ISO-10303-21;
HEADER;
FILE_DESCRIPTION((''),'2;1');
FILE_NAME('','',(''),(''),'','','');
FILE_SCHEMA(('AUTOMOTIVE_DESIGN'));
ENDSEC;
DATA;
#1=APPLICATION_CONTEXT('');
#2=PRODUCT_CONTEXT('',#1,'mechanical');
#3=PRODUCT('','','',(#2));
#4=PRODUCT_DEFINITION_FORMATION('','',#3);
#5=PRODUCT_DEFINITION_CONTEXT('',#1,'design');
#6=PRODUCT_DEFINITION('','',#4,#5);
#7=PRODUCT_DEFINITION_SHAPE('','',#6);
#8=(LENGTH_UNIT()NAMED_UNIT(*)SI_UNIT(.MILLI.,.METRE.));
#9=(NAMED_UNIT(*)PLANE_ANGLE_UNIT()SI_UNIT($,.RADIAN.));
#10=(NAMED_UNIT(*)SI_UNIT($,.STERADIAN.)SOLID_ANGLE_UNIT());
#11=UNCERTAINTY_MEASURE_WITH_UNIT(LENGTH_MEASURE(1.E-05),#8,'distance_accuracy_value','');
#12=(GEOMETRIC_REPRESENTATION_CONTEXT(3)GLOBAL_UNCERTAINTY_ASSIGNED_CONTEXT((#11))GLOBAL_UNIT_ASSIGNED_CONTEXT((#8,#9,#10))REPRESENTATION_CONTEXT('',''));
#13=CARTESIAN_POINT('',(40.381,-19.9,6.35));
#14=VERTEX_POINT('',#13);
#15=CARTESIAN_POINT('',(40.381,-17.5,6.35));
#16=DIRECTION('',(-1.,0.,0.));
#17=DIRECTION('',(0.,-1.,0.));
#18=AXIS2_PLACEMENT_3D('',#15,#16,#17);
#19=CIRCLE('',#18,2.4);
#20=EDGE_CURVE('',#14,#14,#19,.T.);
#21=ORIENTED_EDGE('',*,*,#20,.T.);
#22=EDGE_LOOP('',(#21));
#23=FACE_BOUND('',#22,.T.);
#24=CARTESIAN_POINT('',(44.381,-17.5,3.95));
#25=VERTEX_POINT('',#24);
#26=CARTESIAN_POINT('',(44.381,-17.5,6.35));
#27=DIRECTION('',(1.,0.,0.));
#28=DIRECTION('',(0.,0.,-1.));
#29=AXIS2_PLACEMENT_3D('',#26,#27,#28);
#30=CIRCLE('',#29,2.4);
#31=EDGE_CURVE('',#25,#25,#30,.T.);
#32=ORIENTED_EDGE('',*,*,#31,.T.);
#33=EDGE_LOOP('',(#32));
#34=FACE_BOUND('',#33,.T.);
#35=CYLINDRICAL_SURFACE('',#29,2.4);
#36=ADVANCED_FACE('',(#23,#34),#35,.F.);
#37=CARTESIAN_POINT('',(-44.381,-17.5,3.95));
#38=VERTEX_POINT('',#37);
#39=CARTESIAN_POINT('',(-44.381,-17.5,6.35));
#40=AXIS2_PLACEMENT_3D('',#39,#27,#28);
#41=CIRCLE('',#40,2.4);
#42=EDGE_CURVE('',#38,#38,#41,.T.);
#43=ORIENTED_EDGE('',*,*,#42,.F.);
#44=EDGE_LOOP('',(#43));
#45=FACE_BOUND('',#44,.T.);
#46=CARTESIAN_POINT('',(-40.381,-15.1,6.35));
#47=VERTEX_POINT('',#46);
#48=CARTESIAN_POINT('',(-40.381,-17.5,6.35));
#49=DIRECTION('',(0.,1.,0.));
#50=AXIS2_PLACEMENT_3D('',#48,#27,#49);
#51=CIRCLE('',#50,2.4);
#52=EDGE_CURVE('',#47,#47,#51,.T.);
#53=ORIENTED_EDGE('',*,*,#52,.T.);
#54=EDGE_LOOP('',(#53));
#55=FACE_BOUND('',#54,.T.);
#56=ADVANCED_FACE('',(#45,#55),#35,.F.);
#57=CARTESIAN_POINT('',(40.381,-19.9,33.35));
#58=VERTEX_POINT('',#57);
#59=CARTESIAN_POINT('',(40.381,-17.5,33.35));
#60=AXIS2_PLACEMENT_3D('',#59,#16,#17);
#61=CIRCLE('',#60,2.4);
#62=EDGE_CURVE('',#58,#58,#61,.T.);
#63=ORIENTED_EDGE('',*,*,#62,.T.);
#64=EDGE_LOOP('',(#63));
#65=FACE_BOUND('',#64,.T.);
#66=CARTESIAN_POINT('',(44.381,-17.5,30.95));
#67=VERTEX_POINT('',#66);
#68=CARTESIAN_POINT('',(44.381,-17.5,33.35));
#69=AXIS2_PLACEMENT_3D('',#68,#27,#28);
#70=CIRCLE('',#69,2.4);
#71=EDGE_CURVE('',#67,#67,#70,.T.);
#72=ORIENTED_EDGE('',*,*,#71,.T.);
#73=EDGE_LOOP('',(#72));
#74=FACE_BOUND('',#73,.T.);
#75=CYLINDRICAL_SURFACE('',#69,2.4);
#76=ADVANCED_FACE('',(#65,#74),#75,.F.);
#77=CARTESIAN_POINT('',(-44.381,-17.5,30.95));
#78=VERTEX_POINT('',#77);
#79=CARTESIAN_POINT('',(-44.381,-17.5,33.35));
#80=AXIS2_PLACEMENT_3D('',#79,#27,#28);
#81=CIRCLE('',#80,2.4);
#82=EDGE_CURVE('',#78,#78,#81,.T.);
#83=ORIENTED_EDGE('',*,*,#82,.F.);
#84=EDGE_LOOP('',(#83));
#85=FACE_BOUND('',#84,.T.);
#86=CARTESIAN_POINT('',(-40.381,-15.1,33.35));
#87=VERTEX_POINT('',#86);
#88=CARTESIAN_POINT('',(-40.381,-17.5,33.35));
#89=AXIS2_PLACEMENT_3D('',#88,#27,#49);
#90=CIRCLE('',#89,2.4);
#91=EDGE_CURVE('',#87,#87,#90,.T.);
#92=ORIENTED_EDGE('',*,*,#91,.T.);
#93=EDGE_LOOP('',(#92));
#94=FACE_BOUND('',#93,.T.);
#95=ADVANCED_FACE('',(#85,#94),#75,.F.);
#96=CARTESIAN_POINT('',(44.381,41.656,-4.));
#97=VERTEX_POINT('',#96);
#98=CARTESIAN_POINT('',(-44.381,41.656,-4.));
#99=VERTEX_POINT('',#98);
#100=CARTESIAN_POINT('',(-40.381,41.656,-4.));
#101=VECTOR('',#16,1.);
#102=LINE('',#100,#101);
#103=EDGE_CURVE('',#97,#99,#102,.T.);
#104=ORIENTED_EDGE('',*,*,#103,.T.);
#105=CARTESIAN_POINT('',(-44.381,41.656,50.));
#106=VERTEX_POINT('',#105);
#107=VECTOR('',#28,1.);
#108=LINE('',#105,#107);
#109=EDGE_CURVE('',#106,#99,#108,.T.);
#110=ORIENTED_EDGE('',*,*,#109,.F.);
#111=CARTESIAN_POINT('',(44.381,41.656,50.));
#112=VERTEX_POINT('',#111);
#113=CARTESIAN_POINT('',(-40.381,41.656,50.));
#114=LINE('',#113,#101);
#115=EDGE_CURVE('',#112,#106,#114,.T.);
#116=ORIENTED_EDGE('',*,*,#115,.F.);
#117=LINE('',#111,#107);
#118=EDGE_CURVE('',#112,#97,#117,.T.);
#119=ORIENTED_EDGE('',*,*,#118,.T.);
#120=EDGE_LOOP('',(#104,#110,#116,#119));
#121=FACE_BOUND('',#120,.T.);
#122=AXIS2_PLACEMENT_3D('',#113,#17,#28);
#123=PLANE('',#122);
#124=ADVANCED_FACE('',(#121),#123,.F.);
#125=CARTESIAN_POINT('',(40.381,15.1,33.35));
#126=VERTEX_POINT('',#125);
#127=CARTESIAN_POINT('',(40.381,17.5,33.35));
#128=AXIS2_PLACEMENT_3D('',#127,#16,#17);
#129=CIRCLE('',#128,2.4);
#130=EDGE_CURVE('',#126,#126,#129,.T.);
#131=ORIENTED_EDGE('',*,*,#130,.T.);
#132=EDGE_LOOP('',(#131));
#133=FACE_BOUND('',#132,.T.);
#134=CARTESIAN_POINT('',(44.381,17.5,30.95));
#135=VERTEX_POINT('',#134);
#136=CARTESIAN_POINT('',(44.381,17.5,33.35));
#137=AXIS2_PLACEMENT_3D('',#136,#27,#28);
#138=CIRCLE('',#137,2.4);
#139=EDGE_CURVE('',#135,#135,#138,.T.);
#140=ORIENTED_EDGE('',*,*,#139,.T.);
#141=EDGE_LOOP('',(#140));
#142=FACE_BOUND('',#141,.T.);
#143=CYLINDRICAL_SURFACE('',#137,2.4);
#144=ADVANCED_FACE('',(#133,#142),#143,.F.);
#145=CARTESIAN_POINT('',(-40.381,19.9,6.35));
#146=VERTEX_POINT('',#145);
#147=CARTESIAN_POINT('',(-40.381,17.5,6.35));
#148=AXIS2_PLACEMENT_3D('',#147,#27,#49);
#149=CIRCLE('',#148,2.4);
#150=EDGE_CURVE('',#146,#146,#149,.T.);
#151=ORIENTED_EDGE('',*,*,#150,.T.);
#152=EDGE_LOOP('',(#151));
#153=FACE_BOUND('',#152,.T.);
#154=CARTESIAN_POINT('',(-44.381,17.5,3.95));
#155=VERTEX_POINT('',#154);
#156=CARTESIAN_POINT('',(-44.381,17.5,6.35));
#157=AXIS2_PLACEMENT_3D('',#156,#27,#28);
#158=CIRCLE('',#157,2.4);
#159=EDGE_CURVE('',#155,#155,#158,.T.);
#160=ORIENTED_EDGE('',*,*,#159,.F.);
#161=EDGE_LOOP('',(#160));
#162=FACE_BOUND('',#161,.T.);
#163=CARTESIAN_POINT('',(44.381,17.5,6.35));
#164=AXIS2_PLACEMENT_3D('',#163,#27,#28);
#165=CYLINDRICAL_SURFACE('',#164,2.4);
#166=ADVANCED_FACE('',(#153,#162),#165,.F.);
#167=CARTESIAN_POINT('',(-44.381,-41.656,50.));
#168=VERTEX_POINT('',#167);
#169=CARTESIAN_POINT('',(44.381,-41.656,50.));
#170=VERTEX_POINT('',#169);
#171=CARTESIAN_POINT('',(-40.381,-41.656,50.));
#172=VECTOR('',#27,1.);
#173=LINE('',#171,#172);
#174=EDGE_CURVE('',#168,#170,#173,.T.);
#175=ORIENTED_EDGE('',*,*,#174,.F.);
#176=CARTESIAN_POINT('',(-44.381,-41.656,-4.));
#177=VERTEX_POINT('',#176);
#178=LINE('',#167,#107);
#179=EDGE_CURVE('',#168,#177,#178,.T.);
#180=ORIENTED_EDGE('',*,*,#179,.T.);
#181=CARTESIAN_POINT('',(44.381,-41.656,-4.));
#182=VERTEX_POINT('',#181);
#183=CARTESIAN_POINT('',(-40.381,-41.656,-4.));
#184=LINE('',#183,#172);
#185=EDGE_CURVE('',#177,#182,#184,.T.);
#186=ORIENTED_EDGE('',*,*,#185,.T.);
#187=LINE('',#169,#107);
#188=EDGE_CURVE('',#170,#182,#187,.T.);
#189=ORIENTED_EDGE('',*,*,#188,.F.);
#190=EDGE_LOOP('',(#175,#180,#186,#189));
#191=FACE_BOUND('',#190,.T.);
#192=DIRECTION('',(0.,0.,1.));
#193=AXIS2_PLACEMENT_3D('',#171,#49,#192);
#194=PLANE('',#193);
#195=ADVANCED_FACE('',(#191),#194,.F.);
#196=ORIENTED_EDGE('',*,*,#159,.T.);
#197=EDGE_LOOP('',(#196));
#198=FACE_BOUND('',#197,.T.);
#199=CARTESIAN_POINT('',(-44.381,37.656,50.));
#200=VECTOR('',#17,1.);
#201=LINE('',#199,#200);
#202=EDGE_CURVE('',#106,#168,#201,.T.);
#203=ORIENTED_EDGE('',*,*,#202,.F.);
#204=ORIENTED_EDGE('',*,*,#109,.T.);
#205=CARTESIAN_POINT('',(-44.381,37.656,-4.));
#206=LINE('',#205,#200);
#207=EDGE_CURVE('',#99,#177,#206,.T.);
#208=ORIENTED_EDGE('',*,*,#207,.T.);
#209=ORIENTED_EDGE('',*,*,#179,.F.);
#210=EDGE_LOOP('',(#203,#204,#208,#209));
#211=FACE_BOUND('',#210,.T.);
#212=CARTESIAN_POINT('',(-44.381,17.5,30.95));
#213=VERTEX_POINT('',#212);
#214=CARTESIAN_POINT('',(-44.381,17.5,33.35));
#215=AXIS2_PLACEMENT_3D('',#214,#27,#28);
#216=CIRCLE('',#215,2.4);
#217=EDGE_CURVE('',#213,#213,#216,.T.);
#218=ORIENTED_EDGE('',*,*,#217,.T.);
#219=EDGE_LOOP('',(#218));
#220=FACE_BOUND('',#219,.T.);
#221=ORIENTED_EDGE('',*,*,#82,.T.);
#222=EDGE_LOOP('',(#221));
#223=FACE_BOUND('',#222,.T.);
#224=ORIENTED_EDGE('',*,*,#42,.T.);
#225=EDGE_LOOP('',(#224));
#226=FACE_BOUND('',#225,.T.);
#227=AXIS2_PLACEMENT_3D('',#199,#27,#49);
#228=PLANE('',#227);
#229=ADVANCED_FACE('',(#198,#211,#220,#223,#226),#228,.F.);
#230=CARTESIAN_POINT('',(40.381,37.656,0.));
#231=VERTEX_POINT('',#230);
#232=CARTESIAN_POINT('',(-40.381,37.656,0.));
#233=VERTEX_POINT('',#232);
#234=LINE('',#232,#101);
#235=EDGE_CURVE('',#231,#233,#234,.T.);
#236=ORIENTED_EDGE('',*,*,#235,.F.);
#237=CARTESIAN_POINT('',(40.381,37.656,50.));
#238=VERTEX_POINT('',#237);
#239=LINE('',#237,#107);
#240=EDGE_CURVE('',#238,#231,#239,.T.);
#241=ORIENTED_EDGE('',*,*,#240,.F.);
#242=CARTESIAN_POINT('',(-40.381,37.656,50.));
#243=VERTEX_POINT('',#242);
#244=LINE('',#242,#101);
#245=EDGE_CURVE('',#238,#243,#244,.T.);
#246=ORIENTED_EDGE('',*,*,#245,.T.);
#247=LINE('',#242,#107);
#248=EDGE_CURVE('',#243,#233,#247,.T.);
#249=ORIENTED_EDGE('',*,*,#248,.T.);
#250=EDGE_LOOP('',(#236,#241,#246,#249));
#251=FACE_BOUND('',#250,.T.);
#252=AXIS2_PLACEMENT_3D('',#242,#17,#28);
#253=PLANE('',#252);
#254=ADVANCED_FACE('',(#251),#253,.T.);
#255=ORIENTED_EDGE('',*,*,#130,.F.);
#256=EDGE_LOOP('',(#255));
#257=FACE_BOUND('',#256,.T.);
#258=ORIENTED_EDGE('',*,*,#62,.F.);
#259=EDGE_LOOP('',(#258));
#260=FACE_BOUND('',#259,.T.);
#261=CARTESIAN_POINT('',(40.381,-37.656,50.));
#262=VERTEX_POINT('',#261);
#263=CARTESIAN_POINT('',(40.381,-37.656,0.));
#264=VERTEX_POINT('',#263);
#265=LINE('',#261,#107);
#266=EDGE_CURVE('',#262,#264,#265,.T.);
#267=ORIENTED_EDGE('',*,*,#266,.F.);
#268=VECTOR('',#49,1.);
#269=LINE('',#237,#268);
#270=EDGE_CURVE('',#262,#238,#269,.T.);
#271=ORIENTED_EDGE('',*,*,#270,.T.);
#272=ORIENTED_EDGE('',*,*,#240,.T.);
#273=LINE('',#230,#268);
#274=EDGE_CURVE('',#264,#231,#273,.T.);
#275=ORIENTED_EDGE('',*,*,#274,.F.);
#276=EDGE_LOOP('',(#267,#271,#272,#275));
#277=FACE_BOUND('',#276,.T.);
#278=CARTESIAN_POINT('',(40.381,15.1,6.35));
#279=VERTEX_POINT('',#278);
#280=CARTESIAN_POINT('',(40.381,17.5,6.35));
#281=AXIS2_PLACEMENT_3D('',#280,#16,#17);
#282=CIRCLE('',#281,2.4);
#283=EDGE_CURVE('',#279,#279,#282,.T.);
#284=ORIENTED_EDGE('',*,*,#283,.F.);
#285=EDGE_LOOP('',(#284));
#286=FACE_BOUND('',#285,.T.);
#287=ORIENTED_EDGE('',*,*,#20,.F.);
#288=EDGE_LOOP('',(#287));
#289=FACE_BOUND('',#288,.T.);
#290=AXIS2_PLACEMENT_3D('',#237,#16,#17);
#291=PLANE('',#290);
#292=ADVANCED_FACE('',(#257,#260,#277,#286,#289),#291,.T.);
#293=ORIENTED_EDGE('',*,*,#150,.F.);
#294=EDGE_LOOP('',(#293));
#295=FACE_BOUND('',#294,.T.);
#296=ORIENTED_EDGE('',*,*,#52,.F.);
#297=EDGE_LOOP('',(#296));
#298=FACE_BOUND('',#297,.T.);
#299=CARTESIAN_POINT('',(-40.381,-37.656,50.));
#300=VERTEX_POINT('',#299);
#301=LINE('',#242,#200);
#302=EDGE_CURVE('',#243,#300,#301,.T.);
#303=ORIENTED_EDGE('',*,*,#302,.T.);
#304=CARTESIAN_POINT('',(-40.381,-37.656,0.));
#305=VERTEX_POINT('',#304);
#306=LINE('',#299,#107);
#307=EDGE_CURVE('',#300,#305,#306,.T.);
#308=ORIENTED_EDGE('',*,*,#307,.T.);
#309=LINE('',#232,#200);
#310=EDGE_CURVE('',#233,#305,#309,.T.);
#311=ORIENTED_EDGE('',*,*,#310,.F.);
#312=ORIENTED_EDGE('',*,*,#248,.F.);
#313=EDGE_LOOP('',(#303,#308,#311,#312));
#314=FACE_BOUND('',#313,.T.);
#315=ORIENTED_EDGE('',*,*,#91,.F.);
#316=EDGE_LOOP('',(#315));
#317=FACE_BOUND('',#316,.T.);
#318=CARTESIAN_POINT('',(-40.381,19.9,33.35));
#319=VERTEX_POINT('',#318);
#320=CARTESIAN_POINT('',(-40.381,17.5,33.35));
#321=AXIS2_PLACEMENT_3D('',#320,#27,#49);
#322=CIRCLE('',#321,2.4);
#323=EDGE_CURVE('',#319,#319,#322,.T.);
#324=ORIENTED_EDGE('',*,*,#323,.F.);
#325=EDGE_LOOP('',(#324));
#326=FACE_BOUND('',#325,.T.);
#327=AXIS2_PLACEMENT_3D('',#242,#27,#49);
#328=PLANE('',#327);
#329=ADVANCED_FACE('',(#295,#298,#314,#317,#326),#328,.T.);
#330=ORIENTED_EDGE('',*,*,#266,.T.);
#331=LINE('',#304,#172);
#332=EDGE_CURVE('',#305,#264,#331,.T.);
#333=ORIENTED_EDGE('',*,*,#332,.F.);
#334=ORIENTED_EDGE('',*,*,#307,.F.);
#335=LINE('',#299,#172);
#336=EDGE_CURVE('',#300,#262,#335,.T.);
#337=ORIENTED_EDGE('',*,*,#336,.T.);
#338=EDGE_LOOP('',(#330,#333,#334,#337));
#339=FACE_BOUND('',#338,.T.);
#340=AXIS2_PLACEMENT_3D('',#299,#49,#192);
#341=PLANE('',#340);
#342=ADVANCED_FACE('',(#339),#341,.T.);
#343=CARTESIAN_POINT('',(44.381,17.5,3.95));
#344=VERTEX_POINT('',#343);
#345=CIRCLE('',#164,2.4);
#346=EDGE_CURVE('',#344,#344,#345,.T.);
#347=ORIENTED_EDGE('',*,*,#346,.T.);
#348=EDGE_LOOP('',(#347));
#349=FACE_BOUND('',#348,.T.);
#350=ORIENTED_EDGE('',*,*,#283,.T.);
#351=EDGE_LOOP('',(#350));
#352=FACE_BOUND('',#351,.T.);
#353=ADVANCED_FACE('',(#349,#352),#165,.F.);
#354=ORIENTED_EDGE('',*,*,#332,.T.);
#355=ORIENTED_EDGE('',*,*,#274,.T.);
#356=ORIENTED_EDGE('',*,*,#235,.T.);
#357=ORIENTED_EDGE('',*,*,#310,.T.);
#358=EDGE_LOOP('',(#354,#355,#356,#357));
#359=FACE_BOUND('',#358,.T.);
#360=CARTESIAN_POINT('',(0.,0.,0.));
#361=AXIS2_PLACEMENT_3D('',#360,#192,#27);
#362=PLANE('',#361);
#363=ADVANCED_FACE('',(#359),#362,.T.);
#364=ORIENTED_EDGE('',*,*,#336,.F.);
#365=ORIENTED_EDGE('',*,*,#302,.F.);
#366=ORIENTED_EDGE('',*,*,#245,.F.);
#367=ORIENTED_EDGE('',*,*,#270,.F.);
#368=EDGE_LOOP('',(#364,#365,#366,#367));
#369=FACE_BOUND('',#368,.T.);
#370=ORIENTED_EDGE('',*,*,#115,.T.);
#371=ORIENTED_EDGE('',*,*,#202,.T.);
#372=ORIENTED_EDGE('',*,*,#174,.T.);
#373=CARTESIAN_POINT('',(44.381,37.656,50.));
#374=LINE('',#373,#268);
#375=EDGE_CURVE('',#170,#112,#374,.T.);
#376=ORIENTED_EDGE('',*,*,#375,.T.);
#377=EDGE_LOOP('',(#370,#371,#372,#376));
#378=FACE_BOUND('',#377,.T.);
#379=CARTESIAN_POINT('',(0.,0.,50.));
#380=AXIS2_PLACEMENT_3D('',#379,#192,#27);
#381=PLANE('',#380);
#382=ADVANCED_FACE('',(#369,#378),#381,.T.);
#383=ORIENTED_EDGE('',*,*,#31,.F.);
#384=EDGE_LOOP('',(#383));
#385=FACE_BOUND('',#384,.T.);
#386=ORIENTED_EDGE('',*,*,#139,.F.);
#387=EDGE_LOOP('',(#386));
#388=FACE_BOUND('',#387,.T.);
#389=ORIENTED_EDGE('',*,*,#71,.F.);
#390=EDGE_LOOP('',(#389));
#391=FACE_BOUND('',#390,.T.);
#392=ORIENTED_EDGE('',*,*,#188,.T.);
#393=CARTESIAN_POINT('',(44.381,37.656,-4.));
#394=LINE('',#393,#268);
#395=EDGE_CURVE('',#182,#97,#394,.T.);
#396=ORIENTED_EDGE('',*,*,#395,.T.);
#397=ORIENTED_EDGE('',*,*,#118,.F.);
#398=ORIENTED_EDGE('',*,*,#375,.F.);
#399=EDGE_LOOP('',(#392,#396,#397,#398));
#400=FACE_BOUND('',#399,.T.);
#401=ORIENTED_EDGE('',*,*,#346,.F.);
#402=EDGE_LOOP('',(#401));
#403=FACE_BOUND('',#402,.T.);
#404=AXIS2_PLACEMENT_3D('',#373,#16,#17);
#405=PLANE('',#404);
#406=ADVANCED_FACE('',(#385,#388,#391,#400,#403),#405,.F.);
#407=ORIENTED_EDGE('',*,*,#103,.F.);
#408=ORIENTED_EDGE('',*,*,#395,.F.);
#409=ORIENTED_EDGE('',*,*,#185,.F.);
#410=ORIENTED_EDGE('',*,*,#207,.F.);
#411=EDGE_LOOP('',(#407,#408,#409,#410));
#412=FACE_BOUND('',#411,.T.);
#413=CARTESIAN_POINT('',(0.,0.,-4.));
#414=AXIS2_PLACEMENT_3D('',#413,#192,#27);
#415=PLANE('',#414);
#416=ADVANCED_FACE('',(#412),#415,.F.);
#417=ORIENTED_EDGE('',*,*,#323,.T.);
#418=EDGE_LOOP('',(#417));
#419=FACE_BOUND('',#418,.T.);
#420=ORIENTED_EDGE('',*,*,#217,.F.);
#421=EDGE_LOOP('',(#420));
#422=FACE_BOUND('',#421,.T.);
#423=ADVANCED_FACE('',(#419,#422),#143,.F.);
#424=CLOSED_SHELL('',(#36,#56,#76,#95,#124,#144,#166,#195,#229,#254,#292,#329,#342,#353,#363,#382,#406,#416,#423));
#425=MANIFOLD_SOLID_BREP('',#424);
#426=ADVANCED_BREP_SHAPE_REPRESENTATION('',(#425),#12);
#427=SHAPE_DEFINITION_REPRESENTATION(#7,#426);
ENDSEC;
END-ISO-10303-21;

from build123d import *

# Parameters (mm, degrees)
SKETCH1_W            = 80.762
SKETCH1_H            = 75.312
BOSS_EXTRUDE1_DEPTH  = 50
SHELL1_T             = 4
M4_CLEARANCE_HOLE1_D = 4.8


with BuildPart() as part:
    # Sketch1 → Boss-Extrude1 (new body)
    with BuildSketch(Plane.XY):
        Rectangle(SKETCH1_W, SKETCH1_H)
    extrude(amount=BOSS_EXTRUDE1_DEPTH)

    # Shell1
    shell1_openings = [part.faces().sort_by_distance(p)[0] for p in [
        (0, 0, 50),
    ]]
    offset(amount=SHELL1_T, openings=shell1_openings, kind=Kind.INTERSECTION)

    # M4 Clearance Hole1 (through all)
    with Locations(Plane(origin=(44.381, 0, 0), x_dir=(0, 0, -1), z_dir=(1, 0, 0))):
        with Locations((-33.35, -17.5), (-6.35, -17.5), (-33.35, 17.5), (-6.35, 17.5)):
            Hole(M4_CLEARANCE_HOLE1_D / 2)


solid = part.part
